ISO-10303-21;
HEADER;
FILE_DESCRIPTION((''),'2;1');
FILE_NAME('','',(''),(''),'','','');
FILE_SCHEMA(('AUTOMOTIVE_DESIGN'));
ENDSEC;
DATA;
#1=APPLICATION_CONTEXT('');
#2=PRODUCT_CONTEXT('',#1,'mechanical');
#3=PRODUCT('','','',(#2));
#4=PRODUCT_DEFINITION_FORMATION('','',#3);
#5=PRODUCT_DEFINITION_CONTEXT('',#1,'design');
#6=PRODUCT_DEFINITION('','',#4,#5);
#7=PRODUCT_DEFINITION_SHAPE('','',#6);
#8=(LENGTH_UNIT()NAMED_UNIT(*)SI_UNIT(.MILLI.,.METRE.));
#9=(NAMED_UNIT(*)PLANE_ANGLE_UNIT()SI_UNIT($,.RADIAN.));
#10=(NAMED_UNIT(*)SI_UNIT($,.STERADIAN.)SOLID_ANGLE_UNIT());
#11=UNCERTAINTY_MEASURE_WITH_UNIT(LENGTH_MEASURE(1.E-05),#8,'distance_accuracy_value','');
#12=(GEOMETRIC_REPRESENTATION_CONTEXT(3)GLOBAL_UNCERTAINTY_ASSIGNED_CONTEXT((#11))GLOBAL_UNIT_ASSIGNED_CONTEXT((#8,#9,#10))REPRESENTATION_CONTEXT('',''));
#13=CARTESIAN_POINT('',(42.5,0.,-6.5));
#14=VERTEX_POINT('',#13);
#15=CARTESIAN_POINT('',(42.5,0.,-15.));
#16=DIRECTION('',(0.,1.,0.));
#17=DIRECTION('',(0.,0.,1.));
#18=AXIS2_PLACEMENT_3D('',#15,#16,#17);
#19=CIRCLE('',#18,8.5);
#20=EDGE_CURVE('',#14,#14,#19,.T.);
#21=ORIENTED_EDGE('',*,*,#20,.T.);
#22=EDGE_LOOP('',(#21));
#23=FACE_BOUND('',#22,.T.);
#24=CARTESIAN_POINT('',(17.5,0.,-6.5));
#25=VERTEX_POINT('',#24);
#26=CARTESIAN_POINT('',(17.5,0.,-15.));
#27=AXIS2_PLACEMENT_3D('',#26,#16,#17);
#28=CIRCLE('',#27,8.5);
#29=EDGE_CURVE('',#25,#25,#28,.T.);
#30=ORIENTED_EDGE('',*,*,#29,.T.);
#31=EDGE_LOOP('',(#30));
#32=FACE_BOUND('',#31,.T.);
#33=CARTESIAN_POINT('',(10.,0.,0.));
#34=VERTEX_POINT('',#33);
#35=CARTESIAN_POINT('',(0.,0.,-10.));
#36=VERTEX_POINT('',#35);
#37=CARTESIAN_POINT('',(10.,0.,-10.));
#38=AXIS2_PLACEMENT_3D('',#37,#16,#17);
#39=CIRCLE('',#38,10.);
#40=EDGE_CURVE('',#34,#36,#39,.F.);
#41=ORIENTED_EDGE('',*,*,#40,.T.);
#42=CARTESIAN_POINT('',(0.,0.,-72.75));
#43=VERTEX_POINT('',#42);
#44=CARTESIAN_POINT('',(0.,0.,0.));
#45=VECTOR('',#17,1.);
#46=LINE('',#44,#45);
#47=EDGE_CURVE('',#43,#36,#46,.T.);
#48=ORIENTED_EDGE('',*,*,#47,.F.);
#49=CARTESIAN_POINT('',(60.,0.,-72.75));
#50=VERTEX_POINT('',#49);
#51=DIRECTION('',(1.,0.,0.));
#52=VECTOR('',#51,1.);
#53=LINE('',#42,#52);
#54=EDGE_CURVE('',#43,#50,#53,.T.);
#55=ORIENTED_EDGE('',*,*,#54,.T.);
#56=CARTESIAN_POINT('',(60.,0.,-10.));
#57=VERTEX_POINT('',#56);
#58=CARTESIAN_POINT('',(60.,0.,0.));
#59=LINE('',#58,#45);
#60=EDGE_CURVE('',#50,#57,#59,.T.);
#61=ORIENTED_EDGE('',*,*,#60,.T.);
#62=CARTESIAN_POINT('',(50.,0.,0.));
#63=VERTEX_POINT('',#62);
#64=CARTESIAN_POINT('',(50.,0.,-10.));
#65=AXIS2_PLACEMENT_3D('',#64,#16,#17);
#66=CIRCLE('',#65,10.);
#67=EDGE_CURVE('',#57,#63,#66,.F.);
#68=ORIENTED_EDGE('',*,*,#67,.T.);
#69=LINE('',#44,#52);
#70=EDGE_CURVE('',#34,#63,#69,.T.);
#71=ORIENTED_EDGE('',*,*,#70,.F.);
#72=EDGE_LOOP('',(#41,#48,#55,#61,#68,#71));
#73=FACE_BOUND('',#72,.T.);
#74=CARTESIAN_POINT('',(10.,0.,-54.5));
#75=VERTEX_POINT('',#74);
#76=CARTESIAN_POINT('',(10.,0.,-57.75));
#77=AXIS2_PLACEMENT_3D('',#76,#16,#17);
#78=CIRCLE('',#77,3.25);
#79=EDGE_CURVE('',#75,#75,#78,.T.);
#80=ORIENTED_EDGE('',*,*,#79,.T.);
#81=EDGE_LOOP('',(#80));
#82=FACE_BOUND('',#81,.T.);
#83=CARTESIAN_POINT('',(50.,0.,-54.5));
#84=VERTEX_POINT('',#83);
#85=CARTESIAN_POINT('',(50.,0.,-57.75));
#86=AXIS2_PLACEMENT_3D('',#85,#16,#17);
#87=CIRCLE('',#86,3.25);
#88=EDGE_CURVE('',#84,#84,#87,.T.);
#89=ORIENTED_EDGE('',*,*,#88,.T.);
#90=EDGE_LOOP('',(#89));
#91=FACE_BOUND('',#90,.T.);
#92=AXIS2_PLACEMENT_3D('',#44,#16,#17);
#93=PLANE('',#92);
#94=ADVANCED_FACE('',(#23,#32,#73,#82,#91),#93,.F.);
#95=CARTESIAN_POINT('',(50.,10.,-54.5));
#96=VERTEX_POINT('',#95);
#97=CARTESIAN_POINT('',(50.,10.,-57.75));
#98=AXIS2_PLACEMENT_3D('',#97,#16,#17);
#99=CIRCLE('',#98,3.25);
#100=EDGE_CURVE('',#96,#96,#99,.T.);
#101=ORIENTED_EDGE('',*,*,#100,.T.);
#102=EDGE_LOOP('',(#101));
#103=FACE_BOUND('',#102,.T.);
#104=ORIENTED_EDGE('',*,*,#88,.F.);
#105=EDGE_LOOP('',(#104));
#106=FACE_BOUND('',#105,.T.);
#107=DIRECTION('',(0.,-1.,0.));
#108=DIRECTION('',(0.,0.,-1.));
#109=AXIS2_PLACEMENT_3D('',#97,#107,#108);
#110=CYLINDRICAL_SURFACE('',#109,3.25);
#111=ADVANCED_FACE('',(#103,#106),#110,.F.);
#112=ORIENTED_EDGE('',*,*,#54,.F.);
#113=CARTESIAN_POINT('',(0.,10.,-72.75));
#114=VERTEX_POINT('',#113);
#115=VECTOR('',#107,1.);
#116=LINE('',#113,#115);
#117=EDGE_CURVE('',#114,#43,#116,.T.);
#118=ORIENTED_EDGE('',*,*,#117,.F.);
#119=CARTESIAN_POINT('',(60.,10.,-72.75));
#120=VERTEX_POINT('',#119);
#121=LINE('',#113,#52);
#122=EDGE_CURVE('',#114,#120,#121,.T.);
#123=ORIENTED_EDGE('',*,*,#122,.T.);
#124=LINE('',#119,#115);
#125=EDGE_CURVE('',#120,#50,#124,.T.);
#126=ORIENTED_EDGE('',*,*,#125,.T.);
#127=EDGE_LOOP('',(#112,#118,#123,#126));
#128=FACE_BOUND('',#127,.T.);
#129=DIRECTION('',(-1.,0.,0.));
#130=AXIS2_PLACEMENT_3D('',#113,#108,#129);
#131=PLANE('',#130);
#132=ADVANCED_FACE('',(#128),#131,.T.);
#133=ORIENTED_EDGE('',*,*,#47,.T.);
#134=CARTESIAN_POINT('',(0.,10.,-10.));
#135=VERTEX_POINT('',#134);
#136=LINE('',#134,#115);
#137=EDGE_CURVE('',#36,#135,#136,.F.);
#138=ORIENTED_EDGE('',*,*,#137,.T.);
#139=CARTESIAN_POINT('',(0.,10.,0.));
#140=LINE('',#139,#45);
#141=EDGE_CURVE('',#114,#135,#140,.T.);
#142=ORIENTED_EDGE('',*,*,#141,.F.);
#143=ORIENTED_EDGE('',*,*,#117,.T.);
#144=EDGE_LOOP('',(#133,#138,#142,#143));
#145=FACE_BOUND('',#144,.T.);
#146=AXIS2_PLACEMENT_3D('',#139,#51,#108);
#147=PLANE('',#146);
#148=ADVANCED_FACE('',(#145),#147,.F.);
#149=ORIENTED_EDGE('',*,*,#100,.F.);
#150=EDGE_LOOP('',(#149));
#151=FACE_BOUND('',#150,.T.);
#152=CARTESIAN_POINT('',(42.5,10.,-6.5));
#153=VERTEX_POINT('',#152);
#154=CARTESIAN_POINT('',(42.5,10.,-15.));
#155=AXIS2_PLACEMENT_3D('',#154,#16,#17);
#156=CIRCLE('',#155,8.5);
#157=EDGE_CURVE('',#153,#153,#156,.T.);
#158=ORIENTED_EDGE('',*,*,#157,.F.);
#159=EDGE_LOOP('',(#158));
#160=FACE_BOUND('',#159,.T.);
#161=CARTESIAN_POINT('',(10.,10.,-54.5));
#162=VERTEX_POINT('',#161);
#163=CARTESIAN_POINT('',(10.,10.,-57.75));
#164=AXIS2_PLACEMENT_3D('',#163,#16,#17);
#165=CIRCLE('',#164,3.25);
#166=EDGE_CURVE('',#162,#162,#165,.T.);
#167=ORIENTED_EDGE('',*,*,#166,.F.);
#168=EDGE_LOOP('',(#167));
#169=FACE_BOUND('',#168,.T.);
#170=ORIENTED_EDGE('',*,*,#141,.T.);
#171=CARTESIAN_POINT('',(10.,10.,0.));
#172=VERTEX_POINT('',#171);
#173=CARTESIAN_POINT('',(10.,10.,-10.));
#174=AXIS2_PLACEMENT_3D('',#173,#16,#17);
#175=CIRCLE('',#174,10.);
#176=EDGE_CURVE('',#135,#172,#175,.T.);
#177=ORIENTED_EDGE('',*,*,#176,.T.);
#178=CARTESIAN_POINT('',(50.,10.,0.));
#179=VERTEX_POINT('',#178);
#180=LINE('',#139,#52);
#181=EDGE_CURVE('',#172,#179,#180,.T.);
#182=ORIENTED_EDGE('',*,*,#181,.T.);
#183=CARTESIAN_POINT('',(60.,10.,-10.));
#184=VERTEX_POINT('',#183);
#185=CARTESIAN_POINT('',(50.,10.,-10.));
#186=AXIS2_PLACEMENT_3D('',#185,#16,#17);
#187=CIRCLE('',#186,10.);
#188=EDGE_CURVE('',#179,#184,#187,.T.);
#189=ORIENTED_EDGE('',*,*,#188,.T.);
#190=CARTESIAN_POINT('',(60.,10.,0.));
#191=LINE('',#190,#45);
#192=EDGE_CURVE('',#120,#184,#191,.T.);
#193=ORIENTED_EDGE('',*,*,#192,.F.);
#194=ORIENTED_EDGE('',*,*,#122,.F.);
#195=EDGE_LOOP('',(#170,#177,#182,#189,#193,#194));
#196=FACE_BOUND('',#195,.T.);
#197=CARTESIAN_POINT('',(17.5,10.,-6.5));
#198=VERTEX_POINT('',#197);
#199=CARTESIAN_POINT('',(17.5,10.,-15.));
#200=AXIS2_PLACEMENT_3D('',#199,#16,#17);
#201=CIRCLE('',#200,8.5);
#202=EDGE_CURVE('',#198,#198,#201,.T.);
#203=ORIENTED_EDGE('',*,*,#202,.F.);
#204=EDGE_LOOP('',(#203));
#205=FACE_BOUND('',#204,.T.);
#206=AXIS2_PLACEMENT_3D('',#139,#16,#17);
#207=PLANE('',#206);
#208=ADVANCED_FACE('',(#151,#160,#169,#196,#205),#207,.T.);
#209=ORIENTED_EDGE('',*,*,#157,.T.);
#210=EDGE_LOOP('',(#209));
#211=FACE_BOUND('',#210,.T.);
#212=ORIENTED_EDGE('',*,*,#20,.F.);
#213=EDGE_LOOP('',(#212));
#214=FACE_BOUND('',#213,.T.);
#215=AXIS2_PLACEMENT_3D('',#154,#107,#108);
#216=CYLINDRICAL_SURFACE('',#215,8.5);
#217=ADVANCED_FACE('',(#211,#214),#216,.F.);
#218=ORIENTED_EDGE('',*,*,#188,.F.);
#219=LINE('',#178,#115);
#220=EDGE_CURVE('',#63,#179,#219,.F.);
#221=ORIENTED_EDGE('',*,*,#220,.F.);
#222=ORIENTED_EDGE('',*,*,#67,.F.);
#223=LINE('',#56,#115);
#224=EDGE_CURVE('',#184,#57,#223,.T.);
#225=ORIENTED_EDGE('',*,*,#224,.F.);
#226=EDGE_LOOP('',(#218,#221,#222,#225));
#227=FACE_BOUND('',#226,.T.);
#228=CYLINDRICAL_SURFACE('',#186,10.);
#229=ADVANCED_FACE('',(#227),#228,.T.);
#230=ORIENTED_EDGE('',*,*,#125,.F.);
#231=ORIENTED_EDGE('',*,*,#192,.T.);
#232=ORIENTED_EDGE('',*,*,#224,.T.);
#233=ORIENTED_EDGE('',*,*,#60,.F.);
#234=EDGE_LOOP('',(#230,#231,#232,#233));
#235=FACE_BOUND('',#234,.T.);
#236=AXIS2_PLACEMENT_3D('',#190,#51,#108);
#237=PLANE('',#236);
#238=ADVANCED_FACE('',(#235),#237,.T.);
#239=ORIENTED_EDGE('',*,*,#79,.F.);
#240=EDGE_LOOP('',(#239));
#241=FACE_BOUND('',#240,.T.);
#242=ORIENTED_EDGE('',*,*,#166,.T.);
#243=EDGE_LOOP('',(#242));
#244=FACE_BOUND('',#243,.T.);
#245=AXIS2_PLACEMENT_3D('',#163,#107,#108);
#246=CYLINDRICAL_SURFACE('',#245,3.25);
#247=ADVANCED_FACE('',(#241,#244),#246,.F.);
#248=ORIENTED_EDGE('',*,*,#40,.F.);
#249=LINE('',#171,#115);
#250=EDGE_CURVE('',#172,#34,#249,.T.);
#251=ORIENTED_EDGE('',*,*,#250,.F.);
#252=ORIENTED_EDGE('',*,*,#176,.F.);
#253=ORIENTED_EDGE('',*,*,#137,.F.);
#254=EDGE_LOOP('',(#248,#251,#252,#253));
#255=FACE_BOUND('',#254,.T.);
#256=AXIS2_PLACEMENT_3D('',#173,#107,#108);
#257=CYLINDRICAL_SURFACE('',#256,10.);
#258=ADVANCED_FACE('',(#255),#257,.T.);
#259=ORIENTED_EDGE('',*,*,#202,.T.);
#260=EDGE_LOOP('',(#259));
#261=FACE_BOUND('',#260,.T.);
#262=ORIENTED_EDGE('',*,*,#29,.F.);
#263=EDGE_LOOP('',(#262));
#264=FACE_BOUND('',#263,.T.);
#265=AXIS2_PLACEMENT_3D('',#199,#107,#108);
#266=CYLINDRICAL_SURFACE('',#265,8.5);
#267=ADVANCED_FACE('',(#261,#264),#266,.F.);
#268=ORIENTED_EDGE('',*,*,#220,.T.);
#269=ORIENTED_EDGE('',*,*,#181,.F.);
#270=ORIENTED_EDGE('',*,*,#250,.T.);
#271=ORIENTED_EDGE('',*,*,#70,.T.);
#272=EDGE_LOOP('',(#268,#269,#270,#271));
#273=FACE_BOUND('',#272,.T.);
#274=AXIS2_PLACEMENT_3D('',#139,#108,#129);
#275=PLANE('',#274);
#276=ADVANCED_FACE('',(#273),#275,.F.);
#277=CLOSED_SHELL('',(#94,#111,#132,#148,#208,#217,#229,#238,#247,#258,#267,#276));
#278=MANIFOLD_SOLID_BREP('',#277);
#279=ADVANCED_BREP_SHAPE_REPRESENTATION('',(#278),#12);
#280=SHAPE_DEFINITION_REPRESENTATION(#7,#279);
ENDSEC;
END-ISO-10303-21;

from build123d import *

# Parameters (mm, degrees)
SKETCH10_W          = 60
SKETCH10_H          = 72.75
SKETCH10_R          = 3.25
SKETCH10_R_2        = 8.5
BOSS_EXTRUDE1_DEPTH = 10
FILLET1_R           = 10


with BuildPart() as part:
    # Sketch10 → Boss-Extrude1 (new body)
    with BuildSketch(Plane(origin=(0, 0, 0), x_dir=(1, 0, 0), z_dir=(0, 1, 0))):
        with Locations((30, 36.375)):
            Rectangle(SKETCH10_W, SKETCH10_H)
        with Locations(Location((10, 57.75, 0), (0, 0, 270))):
            Circle(SKETCH10_R, mode=Mode.SUBTRACT)
        with Locations(Location((17.5, 15, 0), (0, 0, 270))):
            Circle(SKETCH10_R_2, mode=Mode.SUBTRACT)
        with Locations(Location((50, 57.75, 0), (0, 0, 270))):
            Circle(SKETCH10_R, mode=Mode.SUBTRACT)
        with Locations(Location((42.5, 15, 0), (0, 0, 270))):
            Circle(SKETCH10_R_2, mode=Mode.SUBTRACT)
    extrude(amount=BOSS_EXTRUDE1_DEPTH)

    # Fillet1
    fillet1_edges = [part.edges().sort_by_distance(p)[0] for p in [
        (60, 5, 0),
        (0, 5, 0),
    ]]
    fillet(fillet1_edges, radius=FILLET1_R)


solid = part.part
